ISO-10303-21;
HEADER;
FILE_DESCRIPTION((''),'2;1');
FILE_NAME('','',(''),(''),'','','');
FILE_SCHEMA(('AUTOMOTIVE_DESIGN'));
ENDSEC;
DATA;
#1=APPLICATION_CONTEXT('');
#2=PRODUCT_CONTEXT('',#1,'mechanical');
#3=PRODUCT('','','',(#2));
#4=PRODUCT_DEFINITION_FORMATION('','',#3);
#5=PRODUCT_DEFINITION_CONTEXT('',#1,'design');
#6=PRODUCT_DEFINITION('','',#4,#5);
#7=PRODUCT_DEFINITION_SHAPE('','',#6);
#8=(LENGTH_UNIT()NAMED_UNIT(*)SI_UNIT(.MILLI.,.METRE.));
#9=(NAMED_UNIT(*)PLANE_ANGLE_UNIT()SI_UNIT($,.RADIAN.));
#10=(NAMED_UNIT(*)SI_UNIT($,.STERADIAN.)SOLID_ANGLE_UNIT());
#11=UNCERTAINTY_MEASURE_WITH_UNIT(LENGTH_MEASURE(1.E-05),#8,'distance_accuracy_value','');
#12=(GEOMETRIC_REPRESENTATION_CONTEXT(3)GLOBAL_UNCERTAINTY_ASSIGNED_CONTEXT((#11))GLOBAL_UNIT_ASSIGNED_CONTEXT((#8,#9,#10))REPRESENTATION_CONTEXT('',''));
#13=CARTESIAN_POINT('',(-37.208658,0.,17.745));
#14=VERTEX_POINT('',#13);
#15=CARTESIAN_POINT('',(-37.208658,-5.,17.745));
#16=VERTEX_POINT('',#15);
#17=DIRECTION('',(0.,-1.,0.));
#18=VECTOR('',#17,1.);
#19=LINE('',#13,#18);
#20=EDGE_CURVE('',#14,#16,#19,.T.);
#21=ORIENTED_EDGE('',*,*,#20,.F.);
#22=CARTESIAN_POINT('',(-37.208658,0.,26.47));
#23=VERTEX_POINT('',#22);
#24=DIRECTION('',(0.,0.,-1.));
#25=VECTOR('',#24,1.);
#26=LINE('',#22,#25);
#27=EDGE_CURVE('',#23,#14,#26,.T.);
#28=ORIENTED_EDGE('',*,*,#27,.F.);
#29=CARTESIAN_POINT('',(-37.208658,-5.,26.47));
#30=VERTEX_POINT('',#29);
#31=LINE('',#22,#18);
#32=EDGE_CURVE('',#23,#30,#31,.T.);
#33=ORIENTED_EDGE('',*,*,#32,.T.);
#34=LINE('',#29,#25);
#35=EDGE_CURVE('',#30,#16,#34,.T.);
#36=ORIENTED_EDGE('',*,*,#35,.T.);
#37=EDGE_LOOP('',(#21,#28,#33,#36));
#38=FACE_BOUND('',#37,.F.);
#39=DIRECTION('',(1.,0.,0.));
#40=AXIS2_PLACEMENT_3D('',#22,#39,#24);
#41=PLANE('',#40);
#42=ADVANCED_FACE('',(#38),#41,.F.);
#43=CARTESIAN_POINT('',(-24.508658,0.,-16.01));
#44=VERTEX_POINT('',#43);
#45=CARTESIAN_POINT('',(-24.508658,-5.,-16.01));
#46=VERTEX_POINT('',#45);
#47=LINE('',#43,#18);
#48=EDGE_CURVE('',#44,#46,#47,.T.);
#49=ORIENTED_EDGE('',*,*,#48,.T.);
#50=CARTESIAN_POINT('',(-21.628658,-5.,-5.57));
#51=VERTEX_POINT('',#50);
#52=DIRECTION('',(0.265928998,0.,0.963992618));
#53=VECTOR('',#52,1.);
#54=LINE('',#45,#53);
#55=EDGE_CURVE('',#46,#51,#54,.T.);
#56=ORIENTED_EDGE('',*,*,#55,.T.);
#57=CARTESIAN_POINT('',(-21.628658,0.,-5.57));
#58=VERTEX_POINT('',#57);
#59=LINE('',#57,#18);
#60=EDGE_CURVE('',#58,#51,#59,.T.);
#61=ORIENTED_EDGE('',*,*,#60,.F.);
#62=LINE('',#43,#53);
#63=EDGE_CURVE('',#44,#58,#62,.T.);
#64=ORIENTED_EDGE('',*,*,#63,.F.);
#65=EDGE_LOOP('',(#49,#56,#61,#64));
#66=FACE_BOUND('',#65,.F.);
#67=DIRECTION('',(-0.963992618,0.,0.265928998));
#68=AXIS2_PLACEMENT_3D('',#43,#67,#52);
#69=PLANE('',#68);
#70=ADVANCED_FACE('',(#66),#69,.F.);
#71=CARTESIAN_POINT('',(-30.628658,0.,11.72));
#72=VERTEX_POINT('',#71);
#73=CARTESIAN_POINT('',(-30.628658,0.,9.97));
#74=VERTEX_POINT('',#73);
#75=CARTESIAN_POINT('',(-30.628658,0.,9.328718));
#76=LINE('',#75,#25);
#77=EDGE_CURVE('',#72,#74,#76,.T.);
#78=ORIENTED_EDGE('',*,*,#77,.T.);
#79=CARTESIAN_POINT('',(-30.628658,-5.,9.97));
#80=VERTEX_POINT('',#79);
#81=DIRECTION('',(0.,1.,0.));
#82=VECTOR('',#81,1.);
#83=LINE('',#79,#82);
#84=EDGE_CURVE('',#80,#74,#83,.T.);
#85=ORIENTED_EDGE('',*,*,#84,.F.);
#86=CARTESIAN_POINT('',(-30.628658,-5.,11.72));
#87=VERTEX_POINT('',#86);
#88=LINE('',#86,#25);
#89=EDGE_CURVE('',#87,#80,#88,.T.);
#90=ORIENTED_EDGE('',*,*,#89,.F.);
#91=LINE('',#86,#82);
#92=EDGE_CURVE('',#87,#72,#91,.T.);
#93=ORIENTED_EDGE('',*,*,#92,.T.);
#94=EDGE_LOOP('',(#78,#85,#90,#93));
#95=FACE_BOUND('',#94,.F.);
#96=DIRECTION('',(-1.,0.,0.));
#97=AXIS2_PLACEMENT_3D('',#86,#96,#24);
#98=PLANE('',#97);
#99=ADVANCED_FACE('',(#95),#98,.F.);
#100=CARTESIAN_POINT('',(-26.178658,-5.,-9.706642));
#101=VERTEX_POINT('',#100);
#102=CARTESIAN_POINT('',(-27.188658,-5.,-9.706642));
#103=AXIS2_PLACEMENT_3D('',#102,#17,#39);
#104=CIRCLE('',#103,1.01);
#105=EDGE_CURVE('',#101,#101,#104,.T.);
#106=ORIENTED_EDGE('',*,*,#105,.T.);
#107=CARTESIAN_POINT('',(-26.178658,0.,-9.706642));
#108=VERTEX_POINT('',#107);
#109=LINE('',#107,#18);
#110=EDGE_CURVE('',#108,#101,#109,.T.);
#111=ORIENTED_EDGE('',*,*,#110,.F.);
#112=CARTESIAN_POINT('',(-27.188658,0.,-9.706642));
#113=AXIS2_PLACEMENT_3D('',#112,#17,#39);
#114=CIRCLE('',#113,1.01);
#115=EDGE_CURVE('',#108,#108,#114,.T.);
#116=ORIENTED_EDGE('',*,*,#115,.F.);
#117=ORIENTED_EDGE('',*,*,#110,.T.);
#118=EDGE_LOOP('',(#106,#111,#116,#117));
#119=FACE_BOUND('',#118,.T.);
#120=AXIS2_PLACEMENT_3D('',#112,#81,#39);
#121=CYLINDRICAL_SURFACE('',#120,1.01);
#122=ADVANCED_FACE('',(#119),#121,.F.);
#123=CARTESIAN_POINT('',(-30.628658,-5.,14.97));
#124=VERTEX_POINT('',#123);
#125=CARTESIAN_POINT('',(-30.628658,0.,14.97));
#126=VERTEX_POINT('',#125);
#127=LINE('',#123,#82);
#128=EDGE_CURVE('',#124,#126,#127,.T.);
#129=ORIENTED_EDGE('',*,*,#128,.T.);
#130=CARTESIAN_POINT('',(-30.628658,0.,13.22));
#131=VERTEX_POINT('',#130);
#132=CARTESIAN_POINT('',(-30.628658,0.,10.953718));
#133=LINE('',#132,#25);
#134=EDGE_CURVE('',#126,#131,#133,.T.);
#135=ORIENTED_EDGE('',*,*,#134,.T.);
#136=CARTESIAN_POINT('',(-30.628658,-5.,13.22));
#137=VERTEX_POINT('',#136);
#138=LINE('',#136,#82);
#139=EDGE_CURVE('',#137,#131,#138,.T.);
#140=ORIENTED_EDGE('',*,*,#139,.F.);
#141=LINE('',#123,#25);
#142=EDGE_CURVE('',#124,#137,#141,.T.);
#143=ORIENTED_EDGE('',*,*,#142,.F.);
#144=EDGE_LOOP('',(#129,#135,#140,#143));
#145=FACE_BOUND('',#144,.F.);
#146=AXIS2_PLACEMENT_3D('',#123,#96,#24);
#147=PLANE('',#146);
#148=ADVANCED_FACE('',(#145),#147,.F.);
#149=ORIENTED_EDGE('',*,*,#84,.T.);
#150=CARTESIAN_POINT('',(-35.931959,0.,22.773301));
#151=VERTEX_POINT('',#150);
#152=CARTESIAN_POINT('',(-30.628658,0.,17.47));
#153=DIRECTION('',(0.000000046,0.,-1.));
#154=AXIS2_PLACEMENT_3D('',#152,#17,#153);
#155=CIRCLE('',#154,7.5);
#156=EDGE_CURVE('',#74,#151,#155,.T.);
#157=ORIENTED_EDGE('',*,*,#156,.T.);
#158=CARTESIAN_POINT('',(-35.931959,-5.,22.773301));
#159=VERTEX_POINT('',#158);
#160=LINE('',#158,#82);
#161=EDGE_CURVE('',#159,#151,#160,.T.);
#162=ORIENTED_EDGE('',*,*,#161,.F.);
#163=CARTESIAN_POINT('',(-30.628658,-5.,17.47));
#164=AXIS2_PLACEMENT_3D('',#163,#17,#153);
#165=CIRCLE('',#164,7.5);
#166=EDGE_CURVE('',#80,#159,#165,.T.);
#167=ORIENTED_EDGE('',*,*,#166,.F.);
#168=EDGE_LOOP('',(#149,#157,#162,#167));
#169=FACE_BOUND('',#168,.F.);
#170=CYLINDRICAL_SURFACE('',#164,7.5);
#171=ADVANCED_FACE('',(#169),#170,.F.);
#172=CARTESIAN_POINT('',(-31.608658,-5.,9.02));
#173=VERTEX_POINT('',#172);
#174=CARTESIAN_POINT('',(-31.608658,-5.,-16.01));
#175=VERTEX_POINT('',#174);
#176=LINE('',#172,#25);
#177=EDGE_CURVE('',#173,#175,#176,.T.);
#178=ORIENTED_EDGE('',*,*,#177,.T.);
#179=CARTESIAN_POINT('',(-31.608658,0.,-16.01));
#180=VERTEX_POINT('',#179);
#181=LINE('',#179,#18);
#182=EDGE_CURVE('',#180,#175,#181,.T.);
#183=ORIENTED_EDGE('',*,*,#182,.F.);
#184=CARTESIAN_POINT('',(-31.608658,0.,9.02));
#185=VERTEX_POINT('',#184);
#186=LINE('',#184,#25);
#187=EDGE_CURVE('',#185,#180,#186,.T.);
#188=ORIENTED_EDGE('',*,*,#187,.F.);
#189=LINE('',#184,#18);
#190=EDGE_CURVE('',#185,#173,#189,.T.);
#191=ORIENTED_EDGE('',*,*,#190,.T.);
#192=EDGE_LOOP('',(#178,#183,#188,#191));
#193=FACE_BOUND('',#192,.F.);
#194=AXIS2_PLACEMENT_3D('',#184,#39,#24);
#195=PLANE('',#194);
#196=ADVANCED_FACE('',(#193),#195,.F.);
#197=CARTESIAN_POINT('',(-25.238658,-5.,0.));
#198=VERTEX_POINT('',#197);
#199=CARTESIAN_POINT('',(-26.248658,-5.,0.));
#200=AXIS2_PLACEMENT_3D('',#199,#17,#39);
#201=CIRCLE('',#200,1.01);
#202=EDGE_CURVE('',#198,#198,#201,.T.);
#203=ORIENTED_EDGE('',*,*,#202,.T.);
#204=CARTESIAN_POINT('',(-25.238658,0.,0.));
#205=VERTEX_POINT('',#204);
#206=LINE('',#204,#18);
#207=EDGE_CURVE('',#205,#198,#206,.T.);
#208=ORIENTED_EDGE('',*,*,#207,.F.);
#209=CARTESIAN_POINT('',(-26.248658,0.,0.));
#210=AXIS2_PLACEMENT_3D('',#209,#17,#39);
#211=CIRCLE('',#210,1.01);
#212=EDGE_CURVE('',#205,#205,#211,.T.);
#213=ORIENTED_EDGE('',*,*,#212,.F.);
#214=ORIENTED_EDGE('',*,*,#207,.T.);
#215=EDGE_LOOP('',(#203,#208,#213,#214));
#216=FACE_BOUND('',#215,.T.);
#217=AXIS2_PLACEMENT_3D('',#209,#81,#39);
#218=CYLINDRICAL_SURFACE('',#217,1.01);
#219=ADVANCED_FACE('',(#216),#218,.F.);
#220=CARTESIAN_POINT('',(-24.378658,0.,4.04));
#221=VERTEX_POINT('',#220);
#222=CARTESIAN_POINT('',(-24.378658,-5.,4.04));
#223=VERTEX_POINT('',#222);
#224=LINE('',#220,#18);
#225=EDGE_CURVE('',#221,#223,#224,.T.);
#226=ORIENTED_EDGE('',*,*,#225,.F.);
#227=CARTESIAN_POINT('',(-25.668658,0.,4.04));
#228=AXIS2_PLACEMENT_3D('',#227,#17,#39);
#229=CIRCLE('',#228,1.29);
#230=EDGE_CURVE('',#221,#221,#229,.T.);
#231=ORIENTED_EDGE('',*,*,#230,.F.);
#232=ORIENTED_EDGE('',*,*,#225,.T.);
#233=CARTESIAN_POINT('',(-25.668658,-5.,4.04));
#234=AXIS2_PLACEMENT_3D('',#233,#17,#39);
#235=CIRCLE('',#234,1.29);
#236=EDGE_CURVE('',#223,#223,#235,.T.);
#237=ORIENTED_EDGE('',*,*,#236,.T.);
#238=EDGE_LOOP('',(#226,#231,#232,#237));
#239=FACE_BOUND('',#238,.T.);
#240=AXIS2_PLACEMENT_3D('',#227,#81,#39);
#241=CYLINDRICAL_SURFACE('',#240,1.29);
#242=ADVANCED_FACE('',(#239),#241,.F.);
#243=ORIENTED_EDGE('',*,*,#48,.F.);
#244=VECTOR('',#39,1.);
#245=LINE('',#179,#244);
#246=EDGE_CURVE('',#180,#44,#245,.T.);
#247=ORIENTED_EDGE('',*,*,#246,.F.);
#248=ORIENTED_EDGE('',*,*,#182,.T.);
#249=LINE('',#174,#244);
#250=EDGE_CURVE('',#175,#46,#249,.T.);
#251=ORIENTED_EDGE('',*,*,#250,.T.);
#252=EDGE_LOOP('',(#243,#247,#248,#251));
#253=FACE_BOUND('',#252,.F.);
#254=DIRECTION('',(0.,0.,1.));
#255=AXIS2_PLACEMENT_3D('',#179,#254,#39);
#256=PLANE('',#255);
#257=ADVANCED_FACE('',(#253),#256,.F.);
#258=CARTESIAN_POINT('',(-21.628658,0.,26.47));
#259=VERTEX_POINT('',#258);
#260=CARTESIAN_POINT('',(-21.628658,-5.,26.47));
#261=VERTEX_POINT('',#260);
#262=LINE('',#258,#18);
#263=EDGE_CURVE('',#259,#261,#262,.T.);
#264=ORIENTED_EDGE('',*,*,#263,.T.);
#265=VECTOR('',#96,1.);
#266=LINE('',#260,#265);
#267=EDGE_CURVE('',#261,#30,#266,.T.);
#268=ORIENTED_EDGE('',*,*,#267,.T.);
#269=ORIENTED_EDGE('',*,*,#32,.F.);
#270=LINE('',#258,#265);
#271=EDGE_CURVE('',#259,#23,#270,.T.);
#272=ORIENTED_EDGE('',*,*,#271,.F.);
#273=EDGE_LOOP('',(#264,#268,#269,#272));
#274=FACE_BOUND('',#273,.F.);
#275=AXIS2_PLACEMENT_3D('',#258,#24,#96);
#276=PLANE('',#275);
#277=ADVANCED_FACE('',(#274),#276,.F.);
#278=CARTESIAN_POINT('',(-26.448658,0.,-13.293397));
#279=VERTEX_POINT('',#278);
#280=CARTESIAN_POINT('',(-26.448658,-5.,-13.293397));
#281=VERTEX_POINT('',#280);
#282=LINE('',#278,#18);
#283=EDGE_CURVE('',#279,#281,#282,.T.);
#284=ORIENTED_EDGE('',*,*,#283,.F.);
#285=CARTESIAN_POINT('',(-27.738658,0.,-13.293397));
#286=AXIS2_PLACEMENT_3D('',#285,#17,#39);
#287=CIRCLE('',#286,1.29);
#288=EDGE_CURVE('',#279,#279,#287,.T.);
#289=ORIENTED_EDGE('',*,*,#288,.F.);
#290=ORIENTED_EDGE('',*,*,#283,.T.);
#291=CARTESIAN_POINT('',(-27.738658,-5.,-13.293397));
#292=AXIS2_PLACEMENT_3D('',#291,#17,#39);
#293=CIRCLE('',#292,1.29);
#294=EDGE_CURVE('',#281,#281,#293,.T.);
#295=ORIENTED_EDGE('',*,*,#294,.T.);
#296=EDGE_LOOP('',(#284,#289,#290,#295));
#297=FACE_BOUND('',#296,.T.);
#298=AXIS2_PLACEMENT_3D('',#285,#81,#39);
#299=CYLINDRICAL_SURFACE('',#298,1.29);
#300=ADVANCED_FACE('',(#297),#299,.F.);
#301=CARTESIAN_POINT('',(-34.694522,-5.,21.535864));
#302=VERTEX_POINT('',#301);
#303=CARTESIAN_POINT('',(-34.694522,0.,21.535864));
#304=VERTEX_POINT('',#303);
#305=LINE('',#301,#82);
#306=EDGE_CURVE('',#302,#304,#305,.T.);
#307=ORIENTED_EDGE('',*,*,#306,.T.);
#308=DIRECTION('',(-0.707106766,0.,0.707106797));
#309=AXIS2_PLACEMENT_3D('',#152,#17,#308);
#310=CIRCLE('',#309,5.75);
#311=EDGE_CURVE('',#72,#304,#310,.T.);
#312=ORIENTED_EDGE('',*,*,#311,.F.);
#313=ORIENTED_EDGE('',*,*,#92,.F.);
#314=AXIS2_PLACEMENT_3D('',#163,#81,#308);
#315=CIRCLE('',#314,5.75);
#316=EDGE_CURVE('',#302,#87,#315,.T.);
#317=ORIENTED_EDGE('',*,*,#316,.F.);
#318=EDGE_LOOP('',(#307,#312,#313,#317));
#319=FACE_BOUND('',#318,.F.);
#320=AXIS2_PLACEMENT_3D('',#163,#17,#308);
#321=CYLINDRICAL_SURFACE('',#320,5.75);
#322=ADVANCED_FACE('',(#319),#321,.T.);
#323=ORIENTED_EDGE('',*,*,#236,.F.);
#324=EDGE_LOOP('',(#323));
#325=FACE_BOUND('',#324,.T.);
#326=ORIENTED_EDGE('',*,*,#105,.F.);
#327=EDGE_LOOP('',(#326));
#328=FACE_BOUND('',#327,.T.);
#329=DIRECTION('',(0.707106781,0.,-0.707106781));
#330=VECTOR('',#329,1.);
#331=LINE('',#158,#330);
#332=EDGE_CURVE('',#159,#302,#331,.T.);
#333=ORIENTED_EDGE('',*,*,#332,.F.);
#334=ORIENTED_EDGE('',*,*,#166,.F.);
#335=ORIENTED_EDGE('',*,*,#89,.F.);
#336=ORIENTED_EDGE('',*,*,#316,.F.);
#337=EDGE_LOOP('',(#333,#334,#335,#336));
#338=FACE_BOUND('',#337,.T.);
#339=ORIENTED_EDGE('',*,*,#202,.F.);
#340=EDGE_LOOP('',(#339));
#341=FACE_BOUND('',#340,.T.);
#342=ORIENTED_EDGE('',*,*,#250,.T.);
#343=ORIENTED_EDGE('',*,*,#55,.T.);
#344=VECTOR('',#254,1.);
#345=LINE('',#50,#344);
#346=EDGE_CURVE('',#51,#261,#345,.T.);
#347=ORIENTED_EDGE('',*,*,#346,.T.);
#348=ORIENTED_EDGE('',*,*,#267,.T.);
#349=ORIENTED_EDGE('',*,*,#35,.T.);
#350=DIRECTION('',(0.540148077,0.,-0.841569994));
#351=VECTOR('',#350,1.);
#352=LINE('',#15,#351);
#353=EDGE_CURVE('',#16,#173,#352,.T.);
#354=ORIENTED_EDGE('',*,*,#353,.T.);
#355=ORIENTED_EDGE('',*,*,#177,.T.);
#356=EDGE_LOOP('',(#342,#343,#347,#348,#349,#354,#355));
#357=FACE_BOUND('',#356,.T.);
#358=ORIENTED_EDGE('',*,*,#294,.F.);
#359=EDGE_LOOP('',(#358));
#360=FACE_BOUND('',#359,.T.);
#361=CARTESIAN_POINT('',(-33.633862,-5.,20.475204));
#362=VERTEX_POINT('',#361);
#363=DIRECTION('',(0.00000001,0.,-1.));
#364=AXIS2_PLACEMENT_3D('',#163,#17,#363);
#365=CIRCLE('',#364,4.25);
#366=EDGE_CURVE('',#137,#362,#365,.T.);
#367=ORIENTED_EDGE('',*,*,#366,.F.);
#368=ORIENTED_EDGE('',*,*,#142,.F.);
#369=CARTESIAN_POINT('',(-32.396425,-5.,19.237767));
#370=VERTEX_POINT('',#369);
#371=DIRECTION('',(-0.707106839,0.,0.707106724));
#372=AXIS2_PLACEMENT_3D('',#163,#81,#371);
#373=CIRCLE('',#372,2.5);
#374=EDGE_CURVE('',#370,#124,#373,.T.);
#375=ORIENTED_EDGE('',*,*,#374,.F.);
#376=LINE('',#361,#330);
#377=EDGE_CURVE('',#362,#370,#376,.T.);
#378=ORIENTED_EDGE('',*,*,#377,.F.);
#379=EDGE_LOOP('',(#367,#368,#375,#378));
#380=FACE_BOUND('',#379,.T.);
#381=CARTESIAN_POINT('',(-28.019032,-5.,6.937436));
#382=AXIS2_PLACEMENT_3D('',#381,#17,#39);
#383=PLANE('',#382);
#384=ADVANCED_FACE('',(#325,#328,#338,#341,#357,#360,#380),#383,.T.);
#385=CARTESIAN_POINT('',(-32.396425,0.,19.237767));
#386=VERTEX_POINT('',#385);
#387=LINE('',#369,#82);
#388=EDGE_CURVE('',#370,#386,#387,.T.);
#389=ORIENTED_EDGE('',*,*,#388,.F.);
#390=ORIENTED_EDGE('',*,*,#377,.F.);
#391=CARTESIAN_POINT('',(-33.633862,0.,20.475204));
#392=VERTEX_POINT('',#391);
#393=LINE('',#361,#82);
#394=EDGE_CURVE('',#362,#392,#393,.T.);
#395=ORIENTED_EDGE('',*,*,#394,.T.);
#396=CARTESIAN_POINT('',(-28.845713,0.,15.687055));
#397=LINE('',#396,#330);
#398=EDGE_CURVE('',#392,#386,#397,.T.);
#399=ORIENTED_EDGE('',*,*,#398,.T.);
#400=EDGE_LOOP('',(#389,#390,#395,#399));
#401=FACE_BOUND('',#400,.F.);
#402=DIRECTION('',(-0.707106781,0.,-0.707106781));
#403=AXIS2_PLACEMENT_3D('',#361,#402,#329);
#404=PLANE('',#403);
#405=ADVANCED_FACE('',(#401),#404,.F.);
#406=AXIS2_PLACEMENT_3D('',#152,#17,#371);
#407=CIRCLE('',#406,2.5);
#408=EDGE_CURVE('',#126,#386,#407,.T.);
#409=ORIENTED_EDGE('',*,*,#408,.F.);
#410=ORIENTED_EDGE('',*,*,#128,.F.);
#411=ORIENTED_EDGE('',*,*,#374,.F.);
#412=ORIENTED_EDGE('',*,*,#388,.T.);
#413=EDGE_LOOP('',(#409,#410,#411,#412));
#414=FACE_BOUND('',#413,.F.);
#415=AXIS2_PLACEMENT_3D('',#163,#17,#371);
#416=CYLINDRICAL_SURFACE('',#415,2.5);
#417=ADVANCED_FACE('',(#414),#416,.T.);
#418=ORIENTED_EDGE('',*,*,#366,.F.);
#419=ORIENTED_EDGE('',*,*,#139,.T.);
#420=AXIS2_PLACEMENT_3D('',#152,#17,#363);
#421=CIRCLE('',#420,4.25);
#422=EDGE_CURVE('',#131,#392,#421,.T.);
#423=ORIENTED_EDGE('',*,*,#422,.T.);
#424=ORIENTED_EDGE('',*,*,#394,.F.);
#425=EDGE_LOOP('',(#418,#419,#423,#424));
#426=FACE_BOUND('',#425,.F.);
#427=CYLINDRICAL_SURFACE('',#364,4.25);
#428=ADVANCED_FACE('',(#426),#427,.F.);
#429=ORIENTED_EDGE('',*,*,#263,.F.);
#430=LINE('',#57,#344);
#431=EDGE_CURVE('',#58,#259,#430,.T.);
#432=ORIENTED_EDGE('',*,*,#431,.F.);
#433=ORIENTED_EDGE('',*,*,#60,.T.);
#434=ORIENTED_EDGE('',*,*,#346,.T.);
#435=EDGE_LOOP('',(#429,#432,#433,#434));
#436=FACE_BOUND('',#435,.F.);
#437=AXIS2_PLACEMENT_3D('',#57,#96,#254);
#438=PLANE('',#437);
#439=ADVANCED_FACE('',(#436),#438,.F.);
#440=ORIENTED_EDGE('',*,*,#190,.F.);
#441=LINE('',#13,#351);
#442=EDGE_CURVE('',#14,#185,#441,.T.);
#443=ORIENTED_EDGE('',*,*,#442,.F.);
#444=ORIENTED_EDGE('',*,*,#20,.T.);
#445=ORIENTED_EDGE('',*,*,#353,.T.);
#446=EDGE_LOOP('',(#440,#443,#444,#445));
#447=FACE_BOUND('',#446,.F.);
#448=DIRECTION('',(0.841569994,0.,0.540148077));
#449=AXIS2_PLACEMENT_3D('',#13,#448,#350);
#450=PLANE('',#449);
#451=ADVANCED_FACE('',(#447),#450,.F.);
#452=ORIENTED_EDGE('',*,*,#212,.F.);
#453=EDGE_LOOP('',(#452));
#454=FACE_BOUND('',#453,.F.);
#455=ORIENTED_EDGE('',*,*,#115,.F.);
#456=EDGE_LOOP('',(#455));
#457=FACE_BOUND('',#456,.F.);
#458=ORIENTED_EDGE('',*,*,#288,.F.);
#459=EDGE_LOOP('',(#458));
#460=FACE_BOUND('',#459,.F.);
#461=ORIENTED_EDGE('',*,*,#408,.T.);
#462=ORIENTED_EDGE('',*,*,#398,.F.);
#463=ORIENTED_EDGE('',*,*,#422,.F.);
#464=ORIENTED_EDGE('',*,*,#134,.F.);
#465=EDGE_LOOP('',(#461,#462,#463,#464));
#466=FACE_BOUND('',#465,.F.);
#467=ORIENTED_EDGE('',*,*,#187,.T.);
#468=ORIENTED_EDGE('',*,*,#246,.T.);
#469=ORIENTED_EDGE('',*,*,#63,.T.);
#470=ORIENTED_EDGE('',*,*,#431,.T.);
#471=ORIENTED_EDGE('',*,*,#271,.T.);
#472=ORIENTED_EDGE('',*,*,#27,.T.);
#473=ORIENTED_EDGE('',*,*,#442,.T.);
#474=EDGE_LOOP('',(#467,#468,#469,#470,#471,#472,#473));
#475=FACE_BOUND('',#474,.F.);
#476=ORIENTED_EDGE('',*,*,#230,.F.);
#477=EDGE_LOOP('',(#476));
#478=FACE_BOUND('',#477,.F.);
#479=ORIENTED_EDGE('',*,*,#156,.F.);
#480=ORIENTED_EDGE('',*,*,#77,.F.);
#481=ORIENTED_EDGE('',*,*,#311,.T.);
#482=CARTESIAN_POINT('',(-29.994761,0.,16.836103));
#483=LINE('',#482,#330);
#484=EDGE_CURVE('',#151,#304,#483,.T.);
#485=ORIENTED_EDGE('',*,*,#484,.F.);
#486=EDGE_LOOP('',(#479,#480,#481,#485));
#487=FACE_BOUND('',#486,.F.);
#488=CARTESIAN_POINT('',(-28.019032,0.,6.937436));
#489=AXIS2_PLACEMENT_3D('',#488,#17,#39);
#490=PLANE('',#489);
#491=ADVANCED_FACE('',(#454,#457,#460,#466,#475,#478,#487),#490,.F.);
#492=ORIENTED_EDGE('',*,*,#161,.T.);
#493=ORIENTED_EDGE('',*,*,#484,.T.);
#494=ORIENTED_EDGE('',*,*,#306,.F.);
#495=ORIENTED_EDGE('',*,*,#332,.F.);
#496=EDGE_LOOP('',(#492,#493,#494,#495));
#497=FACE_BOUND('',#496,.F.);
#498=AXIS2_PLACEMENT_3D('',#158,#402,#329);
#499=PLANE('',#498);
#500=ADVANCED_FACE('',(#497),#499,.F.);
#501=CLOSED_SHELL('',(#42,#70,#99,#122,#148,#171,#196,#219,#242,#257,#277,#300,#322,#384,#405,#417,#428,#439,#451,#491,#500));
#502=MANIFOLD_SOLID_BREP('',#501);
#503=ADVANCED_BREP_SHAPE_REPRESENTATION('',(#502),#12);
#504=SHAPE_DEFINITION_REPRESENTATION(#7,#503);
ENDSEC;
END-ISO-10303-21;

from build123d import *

# Parameters (mm, degrees)
F0_R     = 1.29
F0_R_2   = 1.01
F1_DEPTH = 5
F3_DEPTH = 5.001


with BuildPart() as f1:
    # F0 (on Front) → F1 (new body)
    with BuildSketch(Plane.XZ):
        Polygon((-21.628658, 26.47), (-37.208658, 26.47), (-37.208658, 17.745), (-31.608658, 9.02), (-31.608658, -16.01), (-24.508658, -16.01), (-21.628658, -5.57), align=None)
        with Locations((-27.738658, -13.293397)):
            Circle(F0_R, mode=Mode.SUBTRACT)
        with Locations((-27.188658, -9.706642)):
            Circle(F0_R_2, mode=Mode.SUBTRACT)
        with Locations((-26.248658, 0)):
            Circle(F0_R_2, mode=Mode.SUBTRACT)
        with Locations((-25.668658, 4.04)):
            Circle(F0_R, mode=Mode.SUBTRACT)
    extrude(amount=F1_DEPTH)

    # F2 (on face) → F3 (cut, through all)
    with BuildSketch(Plane.XZ.offset(5)):
        with BuildLine():
            ThreePointArc((-32.396425, 19.237767), (-28.318959, 18.426709), (-30.628658, 14.97))
            Line((-30.628658, 14.97), (-30.628658, 13.22))
            ThreePointArc((-30.628658, 13.22), (-26.70217, 19.096405), (-33.633862, 20.475204))
            Line((-33.633862, 20.475204), (-32.396425, 19.237767))
        make_face()
        with BuildLine():
            ThreePointArc((-34.694522, 21.535864), (-25.316351, 19.67043), (-30.628658, 11.72))
            Line((-30.628658, 11.72), (-30.628658, 9.97))
            ThreePointArc((-30.628658, 9.97), (-23.699562, 20.340126), (-35.931959, 22.773301))
            Line((-35.931959, 22.773301), (-34.694522, 21.535864))
        make_face()
    extrude(amount=-F3_DEPTH, mode=Mode.SUBTRACT)


solid = f1.part
